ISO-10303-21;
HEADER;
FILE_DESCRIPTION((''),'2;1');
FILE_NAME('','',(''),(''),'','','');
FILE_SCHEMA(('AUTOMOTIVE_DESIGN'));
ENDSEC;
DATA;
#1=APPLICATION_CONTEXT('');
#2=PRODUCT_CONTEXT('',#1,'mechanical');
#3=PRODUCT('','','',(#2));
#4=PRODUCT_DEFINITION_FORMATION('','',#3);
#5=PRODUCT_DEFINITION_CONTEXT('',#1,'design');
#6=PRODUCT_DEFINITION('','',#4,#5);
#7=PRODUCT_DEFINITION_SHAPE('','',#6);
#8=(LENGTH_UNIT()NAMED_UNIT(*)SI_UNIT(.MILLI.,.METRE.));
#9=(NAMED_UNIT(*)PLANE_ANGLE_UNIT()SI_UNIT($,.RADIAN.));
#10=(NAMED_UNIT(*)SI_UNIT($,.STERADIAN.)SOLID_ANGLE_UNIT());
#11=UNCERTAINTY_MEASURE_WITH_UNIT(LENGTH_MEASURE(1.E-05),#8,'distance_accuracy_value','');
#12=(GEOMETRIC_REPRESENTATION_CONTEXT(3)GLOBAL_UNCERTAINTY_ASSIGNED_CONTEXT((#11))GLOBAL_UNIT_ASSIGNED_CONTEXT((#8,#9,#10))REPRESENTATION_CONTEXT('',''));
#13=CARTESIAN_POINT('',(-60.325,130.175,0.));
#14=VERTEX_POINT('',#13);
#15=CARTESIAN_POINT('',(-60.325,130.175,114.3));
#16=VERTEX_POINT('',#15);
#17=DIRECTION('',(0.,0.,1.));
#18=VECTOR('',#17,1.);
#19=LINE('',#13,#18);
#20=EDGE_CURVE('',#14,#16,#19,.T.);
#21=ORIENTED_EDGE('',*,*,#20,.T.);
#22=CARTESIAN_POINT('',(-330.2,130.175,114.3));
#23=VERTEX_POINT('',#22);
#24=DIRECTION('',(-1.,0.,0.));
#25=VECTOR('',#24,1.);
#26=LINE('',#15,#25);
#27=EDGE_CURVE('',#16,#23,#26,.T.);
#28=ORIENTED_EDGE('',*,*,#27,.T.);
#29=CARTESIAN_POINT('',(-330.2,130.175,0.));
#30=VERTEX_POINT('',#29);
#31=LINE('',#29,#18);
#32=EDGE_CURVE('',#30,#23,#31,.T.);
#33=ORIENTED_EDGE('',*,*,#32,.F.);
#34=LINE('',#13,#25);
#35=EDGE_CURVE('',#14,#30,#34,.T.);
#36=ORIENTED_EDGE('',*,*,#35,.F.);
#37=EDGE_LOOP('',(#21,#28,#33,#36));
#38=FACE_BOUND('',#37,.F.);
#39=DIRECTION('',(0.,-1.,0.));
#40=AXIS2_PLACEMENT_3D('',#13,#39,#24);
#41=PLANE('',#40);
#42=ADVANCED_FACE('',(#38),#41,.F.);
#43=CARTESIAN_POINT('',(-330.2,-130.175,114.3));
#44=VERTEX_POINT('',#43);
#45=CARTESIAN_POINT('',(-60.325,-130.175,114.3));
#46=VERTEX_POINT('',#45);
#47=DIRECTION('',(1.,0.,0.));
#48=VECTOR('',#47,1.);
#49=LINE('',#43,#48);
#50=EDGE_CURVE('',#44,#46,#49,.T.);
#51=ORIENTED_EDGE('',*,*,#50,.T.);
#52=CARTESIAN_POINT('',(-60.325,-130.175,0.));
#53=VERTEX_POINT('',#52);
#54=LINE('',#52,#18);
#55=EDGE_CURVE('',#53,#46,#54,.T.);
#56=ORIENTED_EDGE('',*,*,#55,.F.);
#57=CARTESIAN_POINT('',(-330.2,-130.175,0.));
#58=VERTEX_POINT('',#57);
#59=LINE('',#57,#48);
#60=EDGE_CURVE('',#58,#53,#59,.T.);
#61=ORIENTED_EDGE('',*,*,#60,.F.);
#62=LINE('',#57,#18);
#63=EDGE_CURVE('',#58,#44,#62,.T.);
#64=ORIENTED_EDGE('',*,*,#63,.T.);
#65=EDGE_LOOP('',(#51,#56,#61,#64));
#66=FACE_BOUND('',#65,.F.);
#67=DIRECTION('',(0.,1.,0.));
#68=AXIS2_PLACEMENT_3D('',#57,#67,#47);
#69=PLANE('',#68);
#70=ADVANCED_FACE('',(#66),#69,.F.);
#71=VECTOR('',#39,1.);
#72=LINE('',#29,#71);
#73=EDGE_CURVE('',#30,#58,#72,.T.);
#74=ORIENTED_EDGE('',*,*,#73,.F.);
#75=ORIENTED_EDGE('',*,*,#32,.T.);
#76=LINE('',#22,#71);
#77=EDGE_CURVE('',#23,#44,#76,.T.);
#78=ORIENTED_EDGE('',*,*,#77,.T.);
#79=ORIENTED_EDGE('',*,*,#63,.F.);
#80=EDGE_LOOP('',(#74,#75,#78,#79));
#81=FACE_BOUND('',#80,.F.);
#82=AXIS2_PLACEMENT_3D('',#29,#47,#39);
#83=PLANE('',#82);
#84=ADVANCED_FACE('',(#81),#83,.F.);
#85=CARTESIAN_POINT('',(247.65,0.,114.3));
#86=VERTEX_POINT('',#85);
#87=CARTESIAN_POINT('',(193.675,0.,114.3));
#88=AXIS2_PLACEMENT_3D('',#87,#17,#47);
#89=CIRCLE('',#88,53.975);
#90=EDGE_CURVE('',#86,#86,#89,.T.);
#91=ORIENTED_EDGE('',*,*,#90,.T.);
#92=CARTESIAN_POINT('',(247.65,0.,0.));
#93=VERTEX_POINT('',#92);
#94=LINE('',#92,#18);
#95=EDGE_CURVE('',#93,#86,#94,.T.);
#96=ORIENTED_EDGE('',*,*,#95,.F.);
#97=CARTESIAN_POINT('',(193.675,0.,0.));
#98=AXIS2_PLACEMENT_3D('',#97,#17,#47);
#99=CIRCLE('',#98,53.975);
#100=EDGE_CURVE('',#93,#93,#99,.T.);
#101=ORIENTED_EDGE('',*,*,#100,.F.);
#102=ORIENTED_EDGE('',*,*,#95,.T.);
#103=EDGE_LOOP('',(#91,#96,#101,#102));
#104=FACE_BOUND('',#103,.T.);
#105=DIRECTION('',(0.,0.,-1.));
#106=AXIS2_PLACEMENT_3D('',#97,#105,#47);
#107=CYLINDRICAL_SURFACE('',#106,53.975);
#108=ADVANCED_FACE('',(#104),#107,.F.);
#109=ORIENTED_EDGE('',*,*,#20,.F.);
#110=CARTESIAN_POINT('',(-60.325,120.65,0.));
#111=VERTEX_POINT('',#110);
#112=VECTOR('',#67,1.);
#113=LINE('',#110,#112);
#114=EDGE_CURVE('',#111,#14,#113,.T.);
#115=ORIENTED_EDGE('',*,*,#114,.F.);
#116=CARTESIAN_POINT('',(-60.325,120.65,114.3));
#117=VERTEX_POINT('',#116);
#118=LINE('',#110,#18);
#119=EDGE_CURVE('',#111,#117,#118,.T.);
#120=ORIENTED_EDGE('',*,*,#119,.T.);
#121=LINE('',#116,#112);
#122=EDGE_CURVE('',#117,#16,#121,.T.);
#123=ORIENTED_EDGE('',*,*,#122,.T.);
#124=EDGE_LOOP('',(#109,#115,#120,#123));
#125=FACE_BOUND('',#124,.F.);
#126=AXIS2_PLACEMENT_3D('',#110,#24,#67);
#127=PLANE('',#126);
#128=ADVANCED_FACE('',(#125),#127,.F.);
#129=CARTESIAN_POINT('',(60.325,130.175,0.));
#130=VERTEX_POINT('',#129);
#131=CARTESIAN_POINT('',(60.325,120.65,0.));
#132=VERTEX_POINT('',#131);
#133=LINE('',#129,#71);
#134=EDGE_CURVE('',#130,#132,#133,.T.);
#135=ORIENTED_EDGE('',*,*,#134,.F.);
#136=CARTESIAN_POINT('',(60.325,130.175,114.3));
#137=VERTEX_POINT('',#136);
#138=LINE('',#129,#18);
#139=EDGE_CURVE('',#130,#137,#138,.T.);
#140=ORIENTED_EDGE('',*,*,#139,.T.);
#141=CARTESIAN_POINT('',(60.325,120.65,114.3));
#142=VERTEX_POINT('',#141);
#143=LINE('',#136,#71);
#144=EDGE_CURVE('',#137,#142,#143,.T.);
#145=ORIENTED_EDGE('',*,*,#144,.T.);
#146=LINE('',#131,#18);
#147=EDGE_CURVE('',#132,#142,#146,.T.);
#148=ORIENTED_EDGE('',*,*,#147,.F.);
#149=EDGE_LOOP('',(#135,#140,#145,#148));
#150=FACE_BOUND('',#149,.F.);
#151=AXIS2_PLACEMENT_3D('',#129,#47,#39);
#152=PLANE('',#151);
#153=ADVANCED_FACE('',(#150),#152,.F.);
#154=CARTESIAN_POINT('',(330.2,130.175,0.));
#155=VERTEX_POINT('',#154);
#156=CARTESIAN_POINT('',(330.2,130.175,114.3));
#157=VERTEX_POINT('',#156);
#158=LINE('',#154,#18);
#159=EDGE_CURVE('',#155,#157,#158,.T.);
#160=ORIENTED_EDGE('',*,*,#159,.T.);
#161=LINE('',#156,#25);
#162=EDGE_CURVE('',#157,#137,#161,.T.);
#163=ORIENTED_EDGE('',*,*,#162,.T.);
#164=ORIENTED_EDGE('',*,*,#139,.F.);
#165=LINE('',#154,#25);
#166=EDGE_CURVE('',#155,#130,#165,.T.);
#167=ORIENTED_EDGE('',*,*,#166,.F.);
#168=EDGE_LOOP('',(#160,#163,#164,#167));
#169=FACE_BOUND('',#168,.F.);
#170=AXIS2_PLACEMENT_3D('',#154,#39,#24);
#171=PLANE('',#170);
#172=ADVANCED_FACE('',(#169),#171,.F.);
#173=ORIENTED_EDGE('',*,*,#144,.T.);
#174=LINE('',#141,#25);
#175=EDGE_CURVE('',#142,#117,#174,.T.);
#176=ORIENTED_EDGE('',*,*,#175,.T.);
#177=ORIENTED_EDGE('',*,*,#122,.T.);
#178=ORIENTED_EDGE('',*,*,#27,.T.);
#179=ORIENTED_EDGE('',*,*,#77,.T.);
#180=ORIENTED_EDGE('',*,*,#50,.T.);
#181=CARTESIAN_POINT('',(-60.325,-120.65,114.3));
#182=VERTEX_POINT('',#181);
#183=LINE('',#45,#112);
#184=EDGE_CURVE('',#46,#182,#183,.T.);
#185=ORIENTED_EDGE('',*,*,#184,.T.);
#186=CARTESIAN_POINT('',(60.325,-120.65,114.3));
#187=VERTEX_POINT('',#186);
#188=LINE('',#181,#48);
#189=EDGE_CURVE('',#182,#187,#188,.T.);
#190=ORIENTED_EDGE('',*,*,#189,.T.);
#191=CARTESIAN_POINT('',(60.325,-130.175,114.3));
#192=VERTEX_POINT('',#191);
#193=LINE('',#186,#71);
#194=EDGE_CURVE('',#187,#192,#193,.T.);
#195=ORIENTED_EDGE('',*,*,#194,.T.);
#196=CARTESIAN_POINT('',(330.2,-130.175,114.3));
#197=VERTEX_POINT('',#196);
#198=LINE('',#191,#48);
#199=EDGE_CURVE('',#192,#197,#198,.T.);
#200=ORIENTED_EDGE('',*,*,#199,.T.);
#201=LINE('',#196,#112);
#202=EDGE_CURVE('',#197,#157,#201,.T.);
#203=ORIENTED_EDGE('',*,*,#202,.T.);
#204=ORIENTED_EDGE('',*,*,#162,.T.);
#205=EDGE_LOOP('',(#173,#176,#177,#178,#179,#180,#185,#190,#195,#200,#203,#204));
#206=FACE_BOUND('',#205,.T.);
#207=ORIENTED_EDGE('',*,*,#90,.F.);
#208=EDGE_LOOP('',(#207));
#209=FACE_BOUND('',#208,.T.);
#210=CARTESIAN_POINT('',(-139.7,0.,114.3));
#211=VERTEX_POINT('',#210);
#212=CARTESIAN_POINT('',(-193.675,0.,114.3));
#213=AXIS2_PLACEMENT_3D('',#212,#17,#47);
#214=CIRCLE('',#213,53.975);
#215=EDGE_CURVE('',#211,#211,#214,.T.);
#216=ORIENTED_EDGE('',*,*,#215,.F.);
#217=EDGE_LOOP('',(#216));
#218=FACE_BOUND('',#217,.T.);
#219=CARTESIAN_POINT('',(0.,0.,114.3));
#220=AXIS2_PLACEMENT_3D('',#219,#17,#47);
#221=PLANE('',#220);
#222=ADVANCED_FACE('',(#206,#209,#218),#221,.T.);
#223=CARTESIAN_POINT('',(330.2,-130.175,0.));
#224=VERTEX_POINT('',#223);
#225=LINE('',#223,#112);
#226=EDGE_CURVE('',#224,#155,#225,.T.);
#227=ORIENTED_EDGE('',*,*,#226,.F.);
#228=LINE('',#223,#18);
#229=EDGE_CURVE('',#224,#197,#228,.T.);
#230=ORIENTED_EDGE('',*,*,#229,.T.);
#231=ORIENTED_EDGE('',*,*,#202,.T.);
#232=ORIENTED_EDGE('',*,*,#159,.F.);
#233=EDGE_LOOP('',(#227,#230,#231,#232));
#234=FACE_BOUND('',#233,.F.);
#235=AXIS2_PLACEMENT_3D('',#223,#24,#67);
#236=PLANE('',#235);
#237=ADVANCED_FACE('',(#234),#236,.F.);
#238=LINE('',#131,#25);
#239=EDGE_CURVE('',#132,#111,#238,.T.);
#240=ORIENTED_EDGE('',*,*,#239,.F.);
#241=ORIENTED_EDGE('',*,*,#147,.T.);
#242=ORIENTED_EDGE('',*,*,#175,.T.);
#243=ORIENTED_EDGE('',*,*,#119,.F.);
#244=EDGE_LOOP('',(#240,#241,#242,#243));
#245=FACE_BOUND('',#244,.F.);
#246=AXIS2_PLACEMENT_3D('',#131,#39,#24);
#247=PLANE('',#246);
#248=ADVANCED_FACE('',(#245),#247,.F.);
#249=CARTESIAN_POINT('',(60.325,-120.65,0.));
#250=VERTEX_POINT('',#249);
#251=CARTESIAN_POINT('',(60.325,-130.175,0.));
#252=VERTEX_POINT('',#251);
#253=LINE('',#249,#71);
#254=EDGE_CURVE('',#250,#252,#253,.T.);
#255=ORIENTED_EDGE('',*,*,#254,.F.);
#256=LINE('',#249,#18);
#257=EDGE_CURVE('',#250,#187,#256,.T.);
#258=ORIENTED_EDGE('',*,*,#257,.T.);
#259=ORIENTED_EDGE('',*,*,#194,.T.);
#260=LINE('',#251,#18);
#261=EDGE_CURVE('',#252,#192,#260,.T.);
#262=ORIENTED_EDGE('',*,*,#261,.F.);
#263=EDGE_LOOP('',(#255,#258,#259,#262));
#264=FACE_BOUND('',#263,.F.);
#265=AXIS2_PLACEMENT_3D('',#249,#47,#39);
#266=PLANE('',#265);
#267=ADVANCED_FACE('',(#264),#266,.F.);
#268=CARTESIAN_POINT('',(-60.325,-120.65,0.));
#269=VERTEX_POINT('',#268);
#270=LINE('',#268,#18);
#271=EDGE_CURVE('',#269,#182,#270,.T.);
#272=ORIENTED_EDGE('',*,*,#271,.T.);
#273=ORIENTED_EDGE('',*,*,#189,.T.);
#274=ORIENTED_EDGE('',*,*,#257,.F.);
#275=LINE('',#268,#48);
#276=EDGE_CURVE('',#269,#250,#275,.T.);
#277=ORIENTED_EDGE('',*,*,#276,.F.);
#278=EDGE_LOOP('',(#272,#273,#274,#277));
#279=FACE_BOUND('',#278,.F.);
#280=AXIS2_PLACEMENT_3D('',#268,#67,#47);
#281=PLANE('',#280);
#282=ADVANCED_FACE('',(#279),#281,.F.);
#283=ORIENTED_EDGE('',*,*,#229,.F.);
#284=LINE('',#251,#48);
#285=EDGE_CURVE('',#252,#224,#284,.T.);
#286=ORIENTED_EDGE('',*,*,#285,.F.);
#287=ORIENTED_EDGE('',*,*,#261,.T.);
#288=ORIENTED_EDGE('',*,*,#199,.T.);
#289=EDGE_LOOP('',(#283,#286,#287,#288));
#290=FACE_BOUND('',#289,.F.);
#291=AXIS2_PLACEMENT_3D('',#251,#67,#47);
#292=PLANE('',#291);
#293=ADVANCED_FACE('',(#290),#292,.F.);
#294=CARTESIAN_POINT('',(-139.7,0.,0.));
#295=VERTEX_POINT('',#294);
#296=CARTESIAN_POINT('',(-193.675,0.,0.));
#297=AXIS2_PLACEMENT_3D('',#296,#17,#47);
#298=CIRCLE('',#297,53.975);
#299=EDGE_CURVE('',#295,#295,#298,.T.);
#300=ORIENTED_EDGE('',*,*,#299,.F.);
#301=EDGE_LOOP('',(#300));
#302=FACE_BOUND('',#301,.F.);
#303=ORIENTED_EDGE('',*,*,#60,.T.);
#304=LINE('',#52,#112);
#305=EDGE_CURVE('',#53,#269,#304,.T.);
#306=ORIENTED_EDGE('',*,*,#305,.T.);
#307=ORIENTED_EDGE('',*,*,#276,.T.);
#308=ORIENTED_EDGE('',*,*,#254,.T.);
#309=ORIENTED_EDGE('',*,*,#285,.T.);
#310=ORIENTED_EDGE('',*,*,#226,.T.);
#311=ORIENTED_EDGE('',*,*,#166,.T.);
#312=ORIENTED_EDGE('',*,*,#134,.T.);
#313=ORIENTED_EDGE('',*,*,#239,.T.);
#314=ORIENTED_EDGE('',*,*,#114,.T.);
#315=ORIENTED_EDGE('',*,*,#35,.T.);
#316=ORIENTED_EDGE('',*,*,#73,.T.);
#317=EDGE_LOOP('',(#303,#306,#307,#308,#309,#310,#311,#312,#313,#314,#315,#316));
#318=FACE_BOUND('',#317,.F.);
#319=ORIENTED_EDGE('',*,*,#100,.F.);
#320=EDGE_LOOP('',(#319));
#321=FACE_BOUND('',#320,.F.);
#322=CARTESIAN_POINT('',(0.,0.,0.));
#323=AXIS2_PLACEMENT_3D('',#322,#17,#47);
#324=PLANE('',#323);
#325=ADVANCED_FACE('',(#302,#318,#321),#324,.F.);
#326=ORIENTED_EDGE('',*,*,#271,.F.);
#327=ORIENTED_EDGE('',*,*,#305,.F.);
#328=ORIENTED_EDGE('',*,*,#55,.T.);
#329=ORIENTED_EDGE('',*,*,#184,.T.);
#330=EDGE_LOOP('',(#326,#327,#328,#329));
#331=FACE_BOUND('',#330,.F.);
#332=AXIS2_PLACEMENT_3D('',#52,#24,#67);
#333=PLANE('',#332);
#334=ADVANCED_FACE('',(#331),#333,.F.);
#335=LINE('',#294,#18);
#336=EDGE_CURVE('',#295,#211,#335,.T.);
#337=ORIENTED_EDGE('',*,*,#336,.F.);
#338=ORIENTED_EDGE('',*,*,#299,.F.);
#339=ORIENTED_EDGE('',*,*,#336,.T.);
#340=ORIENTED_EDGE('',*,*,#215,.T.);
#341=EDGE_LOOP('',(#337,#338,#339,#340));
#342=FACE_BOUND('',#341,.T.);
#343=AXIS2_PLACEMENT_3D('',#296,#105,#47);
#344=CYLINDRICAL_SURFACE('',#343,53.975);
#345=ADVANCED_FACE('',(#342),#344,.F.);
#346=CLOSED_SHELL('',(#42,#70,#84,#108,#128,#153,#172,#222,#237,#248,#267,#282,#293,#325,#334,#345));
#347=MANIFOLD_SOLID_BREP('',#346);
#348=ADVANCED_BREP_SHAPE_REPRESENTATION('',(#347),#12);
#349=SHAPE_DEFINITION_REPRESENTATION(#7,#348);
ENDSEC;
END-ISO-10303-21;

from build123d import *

# Parameters (mm, degrees)
F0_R     = 53.975
F1_DEPTH = 114.3


with BuildPart() as f1:
    # F0 (on Top) → F1 (new body)
    with BuildSketch(Plane.XY):
        Polygon((330.2, -130.175), (330.2, 130.175), (60.325, 130.175), (60.325, 120.65), (-60.325, 120.65), (-60.325, 130.175), (-330.2, 130.175), (-330.2, -130.175), (-60.325, -130.175), (-60.325, -120.65), (60.325, -120.65), (60.325, -130.175), align=None)
        with Locations((-193.675, 0)):
            Circle(F0_R, mode=Mode.SUBTRACT)
        with Locations((193.675, 0)):
            Circle(F0_R, mode=Mode.SUBTRACT)
    extrude(amount=F1_DEPTH)


solid = f1.part
